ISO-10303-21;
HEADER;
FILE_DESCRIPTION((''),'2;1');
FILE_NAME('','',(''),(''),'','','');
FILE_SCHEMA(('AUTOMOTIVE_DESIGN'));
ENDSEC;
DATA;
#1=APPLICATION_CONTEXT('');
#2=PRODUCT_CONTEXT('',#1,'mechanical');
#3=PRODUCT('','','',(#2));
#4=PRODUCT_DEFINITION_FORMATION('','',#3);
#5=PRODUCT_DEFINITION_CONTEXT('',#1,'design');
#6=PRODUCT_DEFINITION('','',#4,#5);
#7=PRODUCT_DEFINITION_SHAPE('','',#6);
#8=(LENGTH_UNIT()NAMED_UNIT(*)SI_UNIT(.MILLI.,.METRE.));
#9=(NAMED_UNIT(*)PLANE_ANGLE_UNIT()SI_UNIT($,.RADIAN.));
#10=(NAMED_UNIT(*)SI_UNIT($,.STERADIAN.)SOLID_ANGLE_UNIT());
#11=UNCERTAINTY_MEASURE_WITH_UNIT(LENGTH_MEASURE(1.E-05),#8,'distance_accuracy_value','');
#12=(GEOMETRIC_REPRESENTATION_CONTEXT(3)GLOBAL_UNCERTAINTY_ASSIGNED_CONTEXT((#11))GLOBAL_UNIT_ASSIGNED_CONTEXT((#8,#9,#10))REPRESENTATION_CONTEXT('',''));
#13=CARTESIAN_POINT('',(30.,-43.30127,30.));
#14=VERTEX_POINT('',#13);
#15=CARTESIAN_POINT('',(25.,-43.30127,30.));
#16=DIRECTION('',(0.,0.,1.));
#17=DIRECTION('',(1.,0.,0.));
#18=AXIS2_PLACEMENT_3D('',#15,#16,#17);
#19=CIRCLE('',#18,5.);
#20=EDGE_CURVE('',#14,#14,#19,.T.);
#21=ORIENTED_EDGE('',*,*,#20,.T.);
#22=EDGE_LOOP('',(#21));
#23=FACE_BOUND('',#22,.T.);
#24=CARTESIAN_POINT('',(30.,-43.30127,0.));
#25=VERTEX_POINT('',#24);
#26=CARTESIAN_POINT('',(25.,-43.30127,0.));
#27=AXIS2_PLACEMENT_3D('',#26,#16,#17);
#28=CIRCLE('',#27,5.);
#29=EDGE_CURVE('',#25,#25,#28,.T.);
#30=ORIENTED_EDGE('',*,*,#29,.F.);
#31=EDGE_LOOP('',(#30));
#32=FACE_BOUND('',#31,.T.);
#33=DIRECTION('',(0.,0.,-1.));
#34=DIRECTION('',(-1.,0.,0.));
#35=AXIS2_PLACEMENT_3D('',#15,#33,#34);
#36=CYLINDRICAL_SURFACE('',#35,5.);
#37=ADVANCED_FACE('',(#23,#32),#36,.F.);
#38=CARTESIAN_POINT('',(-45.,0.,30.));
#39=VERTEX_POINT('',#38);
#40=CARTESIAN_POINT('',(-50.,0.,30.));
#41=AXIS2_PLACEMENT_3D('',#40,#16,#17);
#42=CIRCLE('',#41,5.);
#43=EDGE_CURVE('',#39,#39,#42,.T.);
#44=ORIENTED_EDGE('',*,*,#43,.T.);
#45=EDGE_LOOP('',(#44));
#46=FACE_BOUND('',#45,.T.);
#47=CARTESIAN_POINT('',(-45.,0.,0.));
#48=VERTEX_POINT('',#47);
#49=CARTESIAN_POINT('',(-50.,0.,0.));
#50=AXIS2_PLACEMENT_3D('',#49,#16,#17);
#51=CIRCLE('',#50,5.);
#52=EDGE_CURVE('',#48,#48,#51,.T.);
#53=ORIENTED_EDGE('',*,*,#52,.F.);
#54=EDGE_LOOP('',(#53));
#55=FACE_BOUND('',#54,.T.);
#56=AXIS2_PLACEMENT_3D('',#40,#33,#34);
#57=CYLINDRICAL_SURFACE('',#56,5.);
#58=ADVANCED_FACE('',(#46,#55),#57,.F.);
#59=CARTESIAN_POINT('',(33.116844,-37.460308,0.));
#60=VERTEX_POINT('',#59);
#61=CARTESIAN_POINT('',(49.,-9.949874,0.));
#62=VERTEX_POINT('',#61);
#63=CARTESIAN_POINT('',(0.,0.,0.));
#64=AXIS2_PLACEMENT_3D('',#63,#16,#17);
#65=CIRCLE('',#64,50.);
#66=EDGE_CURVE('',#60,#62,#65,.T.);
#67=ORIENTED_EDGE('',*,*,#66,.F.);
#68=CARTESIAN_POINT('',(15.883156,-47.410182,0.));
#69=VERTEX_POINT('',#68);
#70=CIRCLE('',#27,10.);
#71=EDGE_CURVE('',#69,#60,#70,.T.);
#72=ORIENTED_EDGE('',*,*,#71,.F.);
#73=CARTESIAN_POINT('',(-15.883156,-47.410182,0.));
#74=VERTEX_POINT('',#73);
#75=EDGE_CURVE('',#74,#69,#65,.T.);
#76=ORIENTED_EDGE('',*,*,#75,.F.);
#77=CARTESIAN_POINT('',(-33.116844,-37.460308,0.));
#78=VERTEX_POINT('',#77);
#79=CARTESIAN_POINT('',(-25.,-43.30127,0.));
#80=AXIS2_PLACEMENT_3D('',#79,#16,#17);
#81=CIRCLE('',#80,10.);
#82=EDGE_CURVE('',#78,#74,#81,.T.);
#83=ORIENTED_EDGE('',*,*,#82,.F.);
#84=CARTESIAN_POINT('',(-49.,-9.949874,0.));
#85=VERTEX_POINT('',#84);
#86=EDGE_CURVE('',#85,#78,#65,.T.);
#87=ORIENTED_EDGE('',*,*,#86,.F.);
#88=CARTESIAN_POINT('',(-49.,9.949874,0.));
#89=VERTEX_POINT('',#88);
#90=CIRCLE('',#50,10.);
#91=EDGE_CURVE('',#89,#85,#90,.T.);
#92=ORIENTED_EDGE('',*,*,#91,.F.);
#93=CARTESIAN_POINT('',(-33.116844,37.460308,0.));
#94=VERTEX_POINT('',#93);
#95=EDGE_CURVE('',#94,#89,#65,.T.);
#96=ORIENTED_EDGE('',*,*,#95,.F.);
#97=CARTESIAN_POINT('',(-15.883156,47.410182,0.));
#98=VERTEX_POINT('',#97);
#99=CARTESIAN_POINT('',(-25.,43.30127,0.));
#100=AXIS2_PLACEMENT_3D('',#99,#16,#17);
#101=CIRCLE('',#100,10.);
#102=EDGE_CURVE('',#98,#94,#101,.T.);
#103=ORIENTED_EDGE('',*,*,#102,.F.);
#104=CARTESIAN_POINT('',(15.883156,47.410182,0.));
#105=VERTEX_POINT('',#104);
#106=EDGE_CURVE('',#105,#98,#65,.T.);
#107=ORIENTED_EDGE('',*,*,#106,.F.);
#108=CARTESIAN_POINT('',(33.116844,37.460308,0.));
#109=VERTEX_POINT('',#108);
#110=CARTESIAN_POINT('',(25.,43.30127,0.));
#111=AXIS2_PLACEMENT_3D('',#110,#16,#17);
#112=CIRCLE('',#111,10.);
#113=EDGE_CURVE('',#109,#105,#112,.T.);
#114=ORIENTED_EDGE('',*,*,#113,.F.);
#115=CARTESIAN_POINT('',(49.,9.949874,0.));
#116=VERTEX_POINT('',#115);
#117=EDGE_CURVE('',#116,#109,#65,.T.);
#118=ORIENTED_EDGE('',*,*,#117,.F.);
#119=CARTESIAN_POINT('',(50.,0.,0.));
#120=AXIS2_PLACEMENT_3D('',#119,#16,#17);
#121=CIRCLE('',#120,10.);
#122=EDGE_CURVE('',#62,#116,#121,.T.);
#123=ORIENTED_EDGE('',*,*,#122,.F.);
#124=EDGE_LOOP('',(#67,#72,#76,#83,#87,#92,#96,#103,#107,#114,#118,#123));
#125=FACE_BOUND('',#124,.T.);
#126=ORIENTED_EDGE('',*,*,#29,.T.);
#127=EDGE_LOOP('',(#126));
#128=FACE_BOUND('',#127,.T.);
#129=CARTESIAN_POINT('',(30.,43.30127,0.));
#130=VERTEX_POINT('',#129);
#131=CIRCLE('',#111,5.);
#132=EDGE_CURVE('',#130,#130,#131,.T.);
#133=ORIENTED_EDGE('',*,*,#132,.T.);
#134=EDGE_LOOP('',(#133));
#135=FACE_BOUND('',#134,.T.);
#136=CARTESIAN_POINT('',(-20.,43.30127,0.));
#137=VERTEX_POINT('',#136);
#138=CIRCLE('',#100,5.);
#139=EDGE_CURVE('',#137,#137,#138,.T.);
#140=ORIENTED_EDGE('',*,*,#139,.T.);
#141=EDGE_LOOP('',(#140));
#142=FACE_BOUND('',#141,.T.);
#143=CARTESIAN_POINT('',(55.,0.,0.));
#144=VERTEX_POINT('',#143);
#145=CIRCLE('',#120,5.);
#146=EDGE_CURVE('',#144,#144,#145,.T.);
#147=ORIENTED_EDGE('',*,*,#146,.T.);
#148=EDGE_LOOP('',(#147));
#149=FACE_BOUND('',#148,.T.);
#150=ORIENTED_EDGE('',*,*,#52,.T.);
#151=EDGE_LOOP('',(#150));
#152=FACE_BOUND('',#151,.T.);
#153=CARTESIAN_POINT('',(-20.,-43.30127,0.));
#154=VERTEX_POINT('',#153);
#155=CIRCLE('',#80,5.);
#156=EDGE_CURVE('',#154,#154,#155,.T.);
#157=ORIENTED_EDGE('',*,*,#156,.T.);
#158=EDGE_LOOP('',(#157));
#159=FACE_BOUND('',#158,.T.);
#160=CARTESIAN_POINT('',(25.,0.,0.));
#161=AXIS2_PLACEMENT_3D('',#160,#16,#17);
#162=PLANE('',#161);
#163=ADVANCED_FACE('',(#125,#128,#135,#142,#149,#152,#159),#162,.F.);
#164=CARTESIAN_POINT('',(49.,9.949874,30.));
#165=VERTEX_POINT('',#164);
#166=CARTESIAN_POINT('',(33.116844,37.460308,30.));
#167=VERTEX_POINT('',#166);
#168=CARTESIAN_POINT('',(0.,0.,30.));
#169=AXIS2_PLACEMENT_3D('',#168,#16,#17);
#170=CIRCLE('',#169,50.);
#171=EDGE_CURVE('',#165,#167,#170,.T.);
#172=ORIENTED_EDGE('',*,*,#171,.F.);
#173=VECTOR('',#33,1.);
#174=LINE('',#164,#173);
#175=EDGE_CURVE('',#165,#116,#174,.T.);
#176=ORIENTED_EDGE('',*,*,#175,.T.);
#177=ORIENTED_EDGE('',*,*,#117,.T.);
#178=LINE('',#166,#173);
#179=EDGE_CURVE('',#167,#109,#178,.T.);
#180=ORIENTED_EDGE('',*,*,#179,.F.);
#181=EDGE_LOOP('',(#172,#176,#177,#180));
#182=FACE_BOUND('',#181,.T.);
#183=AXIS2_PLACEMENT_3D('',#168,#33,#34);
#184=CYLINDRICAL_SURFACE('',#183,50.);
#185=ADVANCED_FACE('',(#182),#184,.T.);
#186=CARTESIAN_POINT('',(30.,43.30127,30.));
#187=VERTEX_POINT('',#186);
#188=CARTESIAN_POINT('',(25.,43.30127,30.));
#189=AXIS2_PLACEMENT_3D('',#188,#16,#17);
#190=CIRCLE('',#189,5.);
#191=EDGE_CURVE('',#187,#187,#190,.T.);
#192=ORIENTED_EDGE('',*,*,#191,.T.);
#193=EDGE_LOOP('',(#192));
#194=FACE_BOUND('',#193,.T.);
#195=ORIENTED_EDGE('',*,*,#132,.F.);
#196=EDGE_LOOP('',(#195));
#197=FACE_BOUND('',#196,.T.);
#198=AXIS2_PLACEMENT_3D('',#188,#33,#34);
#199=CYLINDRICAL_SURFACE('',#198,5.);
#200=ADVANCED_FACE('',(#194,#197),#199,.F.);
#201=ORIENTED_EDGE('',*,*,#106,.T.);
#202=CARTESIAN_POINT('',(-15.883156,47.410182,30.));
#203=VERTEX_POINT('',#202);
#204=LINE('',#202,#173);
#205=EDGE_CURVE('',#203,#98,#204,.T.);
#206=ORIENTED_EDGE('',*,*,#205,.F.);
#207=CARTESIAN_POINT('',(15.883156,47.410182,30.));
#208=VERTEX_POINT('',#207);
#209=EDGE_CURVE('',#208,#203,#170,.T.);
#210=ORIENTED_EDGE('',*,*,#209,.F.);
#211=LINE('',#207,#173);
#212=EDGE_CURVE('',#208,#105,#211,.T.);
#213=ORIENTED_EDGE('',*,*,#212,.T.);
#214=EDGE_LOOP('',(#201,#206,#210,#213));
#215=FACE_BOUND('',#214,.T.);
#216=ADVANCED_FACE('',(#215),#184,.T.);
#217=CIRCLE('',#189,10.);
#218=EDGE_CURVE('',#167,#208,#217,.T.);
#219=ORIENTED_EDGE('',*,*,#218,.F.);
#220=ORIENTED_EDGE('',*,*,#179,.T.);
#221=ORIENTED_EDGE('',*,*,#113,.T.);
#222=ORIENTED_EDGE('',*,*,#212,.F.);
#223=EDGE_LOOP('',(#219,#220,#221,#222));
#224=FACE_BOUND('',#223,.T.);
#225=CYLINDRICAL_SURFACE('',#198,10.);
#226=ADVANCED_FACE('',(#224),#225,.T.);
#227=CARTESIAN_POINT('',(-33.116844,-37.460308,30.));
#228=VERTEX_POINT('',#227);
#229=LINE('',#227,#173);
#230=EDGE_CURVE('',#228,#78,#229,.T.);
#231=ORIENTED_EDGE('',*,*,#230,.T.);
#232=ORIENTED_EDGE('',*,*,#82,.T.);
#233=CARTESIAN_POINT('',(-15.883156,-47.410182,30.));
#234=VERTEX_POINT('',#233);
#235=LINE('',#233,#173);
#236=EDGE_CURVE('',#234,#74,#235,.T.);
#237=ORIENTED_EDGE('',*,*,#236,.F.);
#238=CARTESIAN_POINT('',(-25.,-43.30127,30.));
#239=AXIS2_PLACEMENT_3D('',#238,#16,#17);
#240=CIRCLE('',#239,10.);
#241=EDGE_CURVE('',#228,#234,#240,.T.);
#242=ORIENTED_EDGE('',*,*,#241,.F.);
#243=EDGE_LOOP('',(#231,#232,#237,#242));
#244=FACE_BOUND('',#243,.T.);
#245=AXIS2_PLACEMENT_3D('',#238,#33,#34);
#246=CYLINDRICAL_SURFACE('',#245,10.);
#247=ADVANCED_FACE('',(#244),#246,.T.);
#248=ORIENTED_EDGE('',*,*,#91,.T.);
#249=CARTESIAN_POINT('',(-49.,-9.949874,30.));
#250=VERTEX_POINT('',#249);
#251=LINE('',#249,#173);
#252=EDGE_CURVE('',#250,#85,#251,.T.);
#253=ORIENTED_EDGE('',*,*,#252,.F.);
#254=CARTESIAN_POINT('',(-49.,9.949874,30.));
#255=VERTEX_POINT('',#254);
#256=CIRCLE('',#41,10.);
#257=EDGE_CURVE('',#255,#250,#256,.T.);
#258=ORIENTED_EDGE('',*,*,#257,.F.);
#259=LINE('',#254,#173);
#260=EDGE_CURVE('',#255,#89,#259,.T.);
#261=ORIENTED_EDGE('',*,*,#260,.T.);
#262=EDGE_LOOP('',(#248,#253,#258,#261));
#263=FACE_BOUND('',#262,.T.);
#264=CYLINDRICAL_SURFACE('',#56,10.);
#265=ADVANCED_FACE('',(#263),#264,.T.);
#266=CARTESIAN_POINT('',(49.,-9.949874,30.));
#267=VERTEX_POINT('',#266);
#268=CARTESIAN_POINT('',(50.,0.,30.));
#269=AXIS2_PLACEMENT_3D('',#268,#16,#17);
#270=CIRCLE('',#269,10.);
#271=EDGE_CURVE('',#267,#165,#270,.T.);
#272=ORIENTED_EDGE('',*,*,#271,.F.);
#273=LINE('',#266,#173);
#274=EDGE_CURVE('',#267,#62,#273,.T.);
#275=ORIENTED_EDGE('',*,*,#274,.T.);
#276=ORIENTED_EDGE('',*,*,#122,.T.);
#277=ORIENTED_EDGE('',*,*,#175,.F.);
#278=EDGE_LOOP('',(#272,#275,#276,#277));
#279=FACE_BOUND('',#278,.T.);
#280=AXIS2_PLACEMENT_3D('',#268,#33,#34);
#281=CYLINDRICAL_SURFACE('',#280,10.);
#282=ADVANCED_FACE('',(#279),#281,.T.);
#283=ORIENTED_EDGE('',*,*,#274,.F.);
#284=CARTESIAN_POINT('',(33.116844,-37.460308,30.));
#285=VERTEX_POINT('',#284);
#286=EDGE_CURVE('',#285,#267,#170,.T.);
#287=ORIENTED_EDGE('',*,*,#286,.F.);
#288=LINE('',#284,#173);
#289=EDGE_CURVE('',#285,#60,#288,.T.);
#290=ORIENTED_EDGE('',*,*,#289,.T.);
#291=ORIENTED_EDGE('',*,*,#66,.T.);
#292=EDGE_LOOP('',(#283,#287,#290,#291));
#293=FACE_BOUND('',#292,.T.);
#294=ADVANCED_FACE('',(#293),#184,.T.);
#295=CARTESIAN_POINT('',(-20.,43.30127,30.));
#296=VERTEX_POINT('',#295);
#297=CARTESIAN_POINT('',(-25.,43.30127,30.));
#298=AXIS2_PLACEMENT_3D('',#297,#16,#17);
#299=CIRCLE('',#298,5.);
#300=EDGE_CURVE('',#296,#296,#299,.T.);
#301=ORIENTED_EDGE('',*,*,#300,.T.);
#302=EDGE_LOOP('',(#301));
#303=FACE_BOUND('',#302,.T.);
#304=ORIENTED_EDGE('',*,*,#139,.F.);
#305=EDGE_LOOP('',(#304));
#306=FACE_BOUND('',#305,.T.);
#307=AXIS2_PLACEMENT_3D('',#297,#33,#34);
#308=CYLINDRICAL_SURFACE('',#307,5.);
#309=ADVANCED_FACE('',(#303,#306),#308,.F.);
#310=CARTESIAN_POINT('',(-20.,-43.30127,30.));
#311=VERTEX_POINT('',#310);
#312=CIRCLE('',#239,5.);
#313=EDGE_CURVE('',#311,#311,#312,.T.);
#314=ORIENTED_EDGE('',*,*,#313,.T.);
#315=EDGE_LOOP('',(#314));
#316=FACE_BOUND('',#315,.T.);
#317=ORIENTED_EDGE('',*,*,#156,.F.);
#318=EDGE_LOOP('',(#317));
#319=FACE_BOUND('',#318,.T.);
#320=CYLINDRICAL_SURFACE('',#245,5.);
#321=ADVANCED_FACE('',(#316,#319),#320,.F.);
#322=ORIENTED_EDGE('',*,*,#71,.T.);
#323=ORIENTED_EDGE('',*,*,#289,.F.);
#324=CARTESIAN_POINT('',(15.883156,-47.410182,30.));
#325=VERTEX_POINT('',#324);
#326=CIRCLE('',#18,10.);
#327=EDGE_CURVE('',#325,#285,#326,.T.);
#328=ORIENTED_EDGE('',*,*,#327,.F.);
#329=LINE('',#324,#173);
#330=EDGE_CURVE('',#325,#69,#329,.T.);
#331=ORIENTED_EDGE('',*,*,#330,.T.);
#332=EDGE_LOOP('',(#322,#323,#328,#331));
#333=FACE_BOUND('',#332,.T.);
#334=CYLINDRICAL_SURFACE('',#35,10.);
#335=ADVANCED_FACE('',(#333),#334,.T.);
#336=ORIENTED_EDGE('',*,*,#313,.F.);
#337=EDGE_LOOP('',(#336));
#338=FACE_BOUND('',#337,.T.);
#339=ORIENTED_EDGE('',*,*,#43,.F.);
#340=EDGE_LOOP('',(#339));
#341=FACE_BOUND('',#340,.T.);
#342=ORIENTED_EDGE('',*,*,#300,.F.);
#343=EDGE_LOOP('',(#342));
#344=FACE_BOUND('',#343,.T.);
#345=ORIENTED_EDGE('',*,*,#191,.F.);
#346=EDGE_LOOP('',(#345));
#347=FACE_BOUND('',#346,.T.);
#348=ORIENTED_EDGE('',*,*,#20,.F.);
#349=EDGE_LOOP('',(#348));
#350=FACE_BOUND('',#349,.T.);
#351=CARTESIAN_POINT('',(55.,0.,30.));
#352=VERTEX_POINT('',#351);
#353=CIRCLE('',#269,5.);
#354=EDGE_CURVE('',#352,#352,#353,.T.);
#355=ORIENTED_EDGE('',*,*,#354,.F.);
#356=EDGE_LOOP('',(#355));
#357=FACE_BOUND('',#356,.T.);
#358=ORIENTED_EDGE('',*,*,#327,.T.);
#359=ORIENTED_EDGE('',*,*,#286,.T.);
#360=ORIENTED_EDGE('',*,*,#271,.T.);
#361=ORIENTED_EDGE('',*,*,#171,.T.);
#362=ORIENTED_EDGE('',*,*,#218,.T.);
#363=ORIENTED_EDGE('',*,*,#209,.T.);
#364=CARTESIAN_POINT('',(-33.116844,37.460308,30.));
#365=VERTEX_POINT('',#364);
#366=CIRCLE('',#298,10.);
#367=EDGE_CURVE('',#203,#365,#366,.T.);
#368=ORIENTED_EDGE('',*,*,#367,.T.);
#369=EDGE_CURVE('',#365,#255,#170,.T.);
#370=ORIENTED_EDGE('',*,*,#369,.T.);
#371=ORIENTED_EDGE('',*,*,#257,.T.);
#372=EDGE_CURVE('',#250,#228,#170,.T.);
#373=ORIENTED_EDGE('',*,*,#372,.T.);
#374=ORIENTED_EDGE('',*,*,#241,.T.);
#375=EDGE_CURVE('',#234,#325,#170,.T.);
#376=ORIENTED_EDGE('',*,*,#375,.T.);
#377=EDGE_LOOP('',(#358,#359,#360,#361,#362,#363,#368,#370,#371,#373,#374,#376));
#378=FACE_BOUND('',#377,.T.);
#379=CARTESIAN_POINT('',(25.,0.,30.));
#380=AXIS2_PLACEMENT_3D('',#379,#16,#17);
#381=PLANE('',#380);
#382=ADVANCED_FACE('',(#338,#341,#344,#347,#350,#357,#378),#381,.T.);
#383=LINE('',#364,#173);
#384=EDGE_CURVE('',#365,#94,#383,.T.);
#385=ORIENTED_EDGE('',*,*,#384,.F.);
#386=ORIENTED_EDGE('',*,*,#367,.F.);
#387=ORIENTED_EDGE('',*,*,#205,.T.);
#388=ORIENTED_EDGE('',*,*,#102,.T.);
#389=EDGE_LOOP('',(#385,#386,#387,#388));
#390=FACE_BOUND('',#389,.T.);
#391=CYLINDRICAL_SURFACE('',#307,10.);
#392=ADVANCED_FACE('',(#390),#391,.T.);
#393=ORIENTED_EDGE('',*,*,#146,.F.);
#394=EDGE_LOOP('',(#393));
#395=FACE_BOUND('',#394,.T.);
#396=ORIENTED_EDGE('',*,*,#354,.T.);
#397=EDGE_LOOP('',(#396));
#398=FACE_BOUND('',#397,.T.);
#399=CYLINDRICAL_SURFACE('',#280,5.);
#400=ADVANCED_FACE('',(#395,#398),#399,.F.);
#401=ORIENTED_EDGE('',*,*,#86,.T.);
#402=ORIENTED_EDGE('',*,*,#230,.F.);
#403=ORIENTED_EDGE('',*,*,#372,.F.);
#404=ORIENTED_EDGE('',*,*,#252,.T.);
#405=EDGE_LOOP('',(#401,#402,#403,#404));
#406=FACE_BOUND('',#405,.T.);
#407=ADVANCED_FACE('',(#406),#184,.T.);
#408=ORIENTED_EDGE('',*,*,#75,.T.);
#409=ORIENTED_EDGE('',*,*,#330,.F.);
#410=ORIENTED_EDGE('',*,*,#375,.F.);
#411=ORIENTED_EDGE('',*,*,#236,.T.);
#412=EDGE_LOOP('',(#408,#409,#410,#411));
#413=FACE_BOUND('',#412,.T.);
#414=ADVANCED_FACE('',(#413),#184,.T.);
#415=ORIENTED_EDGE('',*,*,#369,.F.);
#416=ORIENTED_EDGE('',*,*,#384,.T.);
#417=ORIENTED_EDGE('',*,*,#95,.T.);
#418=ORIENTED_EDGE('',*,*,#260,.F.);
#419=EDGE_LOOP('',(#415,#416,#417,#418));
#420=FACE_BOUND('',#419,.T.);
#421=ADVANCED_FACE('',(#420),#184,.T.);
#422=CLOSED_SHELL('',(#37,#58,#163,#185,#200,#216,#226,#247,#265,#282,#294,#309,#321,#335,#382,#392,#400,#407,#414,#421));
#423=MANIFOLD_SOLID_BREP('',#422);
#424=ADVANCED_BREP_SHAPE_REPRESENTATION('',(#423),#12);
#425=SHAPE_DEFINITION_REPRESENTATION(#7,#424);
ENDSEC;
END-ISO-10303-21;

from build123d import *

# Parameters (mm, degrees)
SKETCH1_R           = 5
BOSS_EXTRUDE1_DEPTH = 30


with BuildPart() as part:
    # Sketch1 → Boss-Extrude1 (new body)
    with BuildSketch(Plane.XY):
        with BuildLine():
            ThreePointArc((49, 9.949874371), (43.301270189, 25), (33.11684397, 37.4603076))
            ThreePointArc((33.11684397, 37.4603076), (30, 51.961524227), (15.88315603, 47.410181971))
            ThreePointArc((15.88315603, 47.410181971), (0, 50), (-15.88315603, 47.410181971))
            ThreePointArc((-15.88315603, 47.410181971), (-30, 51.961524227), (-33.11684397, 37.4603076))
            ThreePointArc((-33.11684397, 37.4603076), (-43.301270189, 25), (-49, 9.949874371))
            ThreePointArc((-49, 9.949874371), (-60, 0), (-49, -9.949874371))
            ThreePointArc((-49, -9.949874371), (-43.301270189, -25), (-33.11684397, -37.4603076))
            ThreePointArc((-33.11684397, -37.4603076), (-30, -51.961524227), (-15.88315603, -47.410181971))
            ThreePointArc((-15.88315603, -47.410181971), (0, -50), (15.88315603, -47.410181971))
            ThreePointArc((15.88315603, -47.410181971), (30, -51.961524227), (33.11684397, -37.4603076))
            ThreePointArc((33.11684397, -37.4603076), (43.301270189, -25), (49, -9.949874371))
            ThreePointArc((49, -9.949874371), (60, 0), (49, 9.949874371))
        make_face()
        with Locations((50, 0)):
            Circle(SKETCH1_R, mode=Mode.SUBTRACT)
        with Locations((25, -43.301270189)):
            Circle(SKETCH1_R, mode=Mode.SUBTRACT)
        with Locations((-25, -43.301270189)):
            Circle(SKETCH1_R, mode=Mode.SUBTRACT)
        with Locations((-50, 0)):
            Circle(SKETCH1_R, mode=Mode.SUBTRACT)
        with Locations((-25, 43.301270189)):
            Circle(SKETCH1_R, mode=Mode.SUBTRACT)
        with Locations((25, 43.301270189)):
            Circle(SKETCH1_R, mode=Mode.SUBTRACT)
    extrude(amount=BOSS_EXTRUDE1_DEPTH)


solid = part.part
